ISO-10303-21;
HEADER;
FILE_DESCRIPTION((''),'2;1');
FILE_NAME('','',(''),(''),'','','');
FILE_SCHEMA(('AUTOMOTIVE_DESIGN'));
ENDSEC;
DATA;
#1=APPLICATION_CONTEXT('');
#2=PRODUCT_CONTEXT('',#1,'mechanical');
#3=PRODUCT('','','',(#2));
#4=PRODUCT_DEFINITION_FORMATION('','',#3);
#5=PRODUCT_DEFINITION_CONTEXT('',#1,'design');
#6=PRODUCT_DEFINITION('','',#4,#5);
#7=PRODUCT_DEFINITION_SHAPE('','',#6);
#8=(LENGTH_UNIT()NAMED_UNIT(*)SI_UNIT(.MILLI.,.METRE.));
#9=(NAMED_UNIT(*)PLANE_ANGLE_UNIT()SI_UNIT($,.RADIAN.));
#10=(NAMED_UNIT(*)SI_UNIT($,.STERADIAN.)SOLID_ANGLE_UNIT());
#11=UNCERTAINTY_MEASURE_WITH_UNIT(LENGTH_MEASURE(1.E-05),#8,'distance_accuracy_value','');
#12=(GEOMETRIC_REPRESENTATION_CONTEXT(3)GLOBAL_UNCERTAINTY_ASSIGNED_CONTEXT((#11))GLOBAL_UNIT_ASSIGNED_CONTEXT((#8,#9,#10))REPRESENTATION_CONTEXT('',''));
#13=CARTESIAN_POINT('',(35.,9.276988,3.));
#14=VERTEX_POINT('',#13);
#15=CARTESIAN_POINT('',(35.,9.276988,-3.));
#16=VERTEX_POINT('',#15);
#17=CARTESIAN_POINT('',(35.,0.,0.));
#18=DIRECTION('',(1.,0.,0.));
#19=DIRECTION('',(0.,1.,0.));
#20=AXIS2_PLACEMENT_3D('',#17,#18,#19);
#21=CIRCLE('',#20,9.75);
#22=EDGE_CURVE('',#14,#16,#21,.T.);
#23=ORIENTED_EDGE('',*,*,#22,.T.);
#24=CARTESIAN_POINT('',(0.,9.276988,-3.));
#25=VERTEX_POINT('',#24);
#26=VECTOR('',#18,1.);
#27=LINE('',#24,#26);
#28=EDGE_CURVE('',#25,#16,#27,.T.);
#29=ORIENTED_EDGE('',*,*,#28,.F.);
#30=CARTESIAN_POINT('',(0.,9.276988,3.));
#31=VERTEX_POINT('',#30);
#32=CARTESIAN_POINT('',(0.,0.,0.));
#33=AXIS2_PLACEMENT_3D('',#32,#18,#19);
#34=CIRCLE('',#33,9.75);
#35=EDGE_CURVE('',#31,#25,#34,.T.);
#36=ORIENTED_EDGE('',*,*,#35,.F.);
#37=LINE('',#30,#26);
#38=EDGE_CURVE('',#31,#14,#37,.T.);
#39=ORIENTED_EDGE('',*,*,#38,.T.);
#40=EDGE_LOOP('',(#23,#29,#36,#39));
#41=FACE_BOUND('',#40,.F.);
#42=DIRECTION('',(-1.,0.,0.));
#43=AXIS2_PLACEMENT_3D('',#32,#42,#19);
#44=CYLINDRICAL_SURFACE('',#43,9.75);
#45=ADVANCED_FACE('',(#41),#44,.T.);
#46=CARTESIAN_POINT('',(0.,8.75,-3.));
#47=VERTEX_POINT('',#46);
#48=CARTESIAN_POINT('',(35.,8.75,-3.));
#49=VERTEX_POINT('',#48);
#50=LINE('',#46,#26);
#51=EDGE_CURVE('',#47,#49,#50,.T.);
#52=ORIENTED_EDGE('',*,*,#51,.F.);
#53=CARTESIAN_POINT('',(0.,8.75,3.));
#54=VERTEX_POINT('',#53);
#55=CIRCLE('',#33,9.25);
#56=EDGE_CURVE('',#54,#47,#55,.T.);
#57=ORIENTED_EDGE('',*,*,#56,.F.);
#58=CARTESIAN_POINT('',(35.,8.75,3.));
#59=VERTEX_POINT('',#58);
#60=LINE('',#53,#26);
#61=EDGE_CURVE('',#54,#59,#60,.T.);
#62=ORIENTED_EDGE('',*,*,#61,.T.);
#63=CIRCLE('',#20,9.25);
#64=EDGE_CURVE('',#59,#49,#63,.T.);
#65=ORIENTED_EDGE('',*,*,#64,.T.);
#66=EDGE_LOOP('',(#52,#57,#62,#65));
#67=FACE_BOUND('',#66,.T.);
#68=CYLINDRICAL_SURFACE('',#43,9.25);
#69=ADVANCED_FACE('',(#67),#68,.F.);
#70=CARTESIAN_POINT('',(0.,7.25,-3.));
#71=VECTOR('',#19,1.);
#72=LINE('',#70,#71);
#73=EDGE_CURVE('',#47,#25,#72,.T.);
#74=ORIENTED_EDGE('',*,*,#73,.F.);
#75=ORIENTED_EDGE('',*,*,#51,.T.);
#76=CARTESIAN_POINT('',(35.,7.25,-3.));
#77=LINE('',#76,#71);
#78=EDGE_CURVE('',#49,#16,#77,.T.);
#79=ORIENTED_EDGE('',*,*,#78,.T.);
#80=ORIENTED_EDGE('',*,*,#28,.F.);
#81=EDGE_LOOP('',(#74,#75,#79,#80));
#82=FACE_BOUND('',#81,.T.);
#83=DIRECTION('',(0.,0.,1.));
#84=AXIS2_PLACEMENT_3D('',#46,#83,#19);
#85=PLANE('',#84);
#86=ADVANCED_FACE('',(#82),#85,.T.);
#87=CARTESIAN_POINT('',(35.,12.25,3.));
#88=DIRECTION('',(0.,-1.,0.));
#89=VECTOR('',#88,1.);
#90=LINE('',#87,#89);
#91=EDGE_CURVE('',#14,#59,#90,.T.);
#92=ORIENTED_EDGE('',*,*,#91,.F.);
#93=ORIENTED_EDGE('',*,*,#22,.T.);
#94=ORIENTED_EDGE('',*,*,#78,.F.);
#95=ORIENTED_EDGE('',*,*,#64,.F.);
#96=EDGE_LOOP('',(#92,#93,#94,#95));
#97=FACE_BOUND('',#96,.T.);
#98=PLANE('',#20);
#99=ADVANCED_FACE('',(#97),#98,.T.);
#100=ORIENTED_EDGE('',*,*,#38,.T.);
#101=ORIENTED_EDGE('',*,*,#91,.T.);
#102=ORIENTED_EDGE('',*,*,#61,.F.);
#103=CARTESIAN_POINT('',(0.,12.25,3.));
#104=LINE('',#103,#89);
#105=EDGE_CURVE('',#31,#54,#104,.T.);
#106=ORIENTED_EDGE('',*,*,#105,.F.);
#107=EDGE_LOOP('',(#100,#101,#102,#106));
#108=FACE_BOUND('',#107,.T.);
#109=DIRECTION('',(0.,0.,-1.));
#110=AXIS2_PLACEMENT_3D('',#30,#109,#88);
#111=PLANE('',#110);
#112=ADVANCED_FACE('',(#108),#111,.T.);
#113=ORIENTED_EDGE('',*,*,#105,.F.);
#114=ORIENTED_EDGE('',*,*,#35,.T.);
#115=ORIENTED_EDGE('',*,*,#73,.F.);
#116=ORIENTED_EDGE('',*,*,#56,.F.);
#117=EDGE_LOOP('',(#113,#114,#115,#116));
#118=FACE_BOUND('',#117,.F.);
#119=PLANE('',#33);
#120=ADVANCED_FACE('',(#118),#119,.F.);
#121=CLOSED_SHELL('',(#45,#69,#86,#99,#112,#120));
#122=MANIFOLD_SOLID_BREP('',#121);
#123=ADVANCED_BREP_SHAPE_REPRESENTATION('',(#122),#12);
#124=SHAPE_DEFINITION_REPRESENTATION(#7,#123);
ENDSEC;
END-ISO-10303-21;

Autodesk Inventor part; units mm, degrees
ref_plane "YZ Plane" through (0, 0, 0) normal (1, 0, 0) x (0, 1, 0)
ref_plane "XZ Plane" through (0, 0, 0) normal (0, 1, 0) x (-1, 0, 0)
ref_plane "XY Plane" through (0, 0, 0) normal (0, 0, 1) x (1, 0, 0)
sketch "스케치1" plane through (0, 0, 0) normal (1, 0, 0) x (0, 1, 0)
  circle A0 centre (0, 0) radius 9.75
  circle A1 centre (0, 0) radius 9.25
  line L0 (12.25, 3) -> (7.25, 3)
  line L1 (7.25, 3) -> (7.25, -3)
  line L2 (7.25, -3) -> (12.25, -3)
  line L3 (12.25, -3) -> (12.25, 3)
  line L4 (12.25, 3) -> (7.25, -3) construction
  line L5 (7.25, 3) -> (12.25, -3) construction
  point P0 (9.75, 0)
  point P1 (7.25, 0)
  point P2 (9.277, -3)
  point P3 (8.75, -3)
  point P4 (8.75, 3)
  point P5 (9.277, 3)
  dimension "d0" = 19.5
  dimension "d1" = 18.5
  dimension "d2" = 6
  dimension "d3" = 5
extrude "돌출1" add sketch "스케치1" along normal blind 35 contours L0 A1 L2 A0 picked at (-9.5112, -0.3759)
properties part number "joint4_bush" material "PLA filament"
